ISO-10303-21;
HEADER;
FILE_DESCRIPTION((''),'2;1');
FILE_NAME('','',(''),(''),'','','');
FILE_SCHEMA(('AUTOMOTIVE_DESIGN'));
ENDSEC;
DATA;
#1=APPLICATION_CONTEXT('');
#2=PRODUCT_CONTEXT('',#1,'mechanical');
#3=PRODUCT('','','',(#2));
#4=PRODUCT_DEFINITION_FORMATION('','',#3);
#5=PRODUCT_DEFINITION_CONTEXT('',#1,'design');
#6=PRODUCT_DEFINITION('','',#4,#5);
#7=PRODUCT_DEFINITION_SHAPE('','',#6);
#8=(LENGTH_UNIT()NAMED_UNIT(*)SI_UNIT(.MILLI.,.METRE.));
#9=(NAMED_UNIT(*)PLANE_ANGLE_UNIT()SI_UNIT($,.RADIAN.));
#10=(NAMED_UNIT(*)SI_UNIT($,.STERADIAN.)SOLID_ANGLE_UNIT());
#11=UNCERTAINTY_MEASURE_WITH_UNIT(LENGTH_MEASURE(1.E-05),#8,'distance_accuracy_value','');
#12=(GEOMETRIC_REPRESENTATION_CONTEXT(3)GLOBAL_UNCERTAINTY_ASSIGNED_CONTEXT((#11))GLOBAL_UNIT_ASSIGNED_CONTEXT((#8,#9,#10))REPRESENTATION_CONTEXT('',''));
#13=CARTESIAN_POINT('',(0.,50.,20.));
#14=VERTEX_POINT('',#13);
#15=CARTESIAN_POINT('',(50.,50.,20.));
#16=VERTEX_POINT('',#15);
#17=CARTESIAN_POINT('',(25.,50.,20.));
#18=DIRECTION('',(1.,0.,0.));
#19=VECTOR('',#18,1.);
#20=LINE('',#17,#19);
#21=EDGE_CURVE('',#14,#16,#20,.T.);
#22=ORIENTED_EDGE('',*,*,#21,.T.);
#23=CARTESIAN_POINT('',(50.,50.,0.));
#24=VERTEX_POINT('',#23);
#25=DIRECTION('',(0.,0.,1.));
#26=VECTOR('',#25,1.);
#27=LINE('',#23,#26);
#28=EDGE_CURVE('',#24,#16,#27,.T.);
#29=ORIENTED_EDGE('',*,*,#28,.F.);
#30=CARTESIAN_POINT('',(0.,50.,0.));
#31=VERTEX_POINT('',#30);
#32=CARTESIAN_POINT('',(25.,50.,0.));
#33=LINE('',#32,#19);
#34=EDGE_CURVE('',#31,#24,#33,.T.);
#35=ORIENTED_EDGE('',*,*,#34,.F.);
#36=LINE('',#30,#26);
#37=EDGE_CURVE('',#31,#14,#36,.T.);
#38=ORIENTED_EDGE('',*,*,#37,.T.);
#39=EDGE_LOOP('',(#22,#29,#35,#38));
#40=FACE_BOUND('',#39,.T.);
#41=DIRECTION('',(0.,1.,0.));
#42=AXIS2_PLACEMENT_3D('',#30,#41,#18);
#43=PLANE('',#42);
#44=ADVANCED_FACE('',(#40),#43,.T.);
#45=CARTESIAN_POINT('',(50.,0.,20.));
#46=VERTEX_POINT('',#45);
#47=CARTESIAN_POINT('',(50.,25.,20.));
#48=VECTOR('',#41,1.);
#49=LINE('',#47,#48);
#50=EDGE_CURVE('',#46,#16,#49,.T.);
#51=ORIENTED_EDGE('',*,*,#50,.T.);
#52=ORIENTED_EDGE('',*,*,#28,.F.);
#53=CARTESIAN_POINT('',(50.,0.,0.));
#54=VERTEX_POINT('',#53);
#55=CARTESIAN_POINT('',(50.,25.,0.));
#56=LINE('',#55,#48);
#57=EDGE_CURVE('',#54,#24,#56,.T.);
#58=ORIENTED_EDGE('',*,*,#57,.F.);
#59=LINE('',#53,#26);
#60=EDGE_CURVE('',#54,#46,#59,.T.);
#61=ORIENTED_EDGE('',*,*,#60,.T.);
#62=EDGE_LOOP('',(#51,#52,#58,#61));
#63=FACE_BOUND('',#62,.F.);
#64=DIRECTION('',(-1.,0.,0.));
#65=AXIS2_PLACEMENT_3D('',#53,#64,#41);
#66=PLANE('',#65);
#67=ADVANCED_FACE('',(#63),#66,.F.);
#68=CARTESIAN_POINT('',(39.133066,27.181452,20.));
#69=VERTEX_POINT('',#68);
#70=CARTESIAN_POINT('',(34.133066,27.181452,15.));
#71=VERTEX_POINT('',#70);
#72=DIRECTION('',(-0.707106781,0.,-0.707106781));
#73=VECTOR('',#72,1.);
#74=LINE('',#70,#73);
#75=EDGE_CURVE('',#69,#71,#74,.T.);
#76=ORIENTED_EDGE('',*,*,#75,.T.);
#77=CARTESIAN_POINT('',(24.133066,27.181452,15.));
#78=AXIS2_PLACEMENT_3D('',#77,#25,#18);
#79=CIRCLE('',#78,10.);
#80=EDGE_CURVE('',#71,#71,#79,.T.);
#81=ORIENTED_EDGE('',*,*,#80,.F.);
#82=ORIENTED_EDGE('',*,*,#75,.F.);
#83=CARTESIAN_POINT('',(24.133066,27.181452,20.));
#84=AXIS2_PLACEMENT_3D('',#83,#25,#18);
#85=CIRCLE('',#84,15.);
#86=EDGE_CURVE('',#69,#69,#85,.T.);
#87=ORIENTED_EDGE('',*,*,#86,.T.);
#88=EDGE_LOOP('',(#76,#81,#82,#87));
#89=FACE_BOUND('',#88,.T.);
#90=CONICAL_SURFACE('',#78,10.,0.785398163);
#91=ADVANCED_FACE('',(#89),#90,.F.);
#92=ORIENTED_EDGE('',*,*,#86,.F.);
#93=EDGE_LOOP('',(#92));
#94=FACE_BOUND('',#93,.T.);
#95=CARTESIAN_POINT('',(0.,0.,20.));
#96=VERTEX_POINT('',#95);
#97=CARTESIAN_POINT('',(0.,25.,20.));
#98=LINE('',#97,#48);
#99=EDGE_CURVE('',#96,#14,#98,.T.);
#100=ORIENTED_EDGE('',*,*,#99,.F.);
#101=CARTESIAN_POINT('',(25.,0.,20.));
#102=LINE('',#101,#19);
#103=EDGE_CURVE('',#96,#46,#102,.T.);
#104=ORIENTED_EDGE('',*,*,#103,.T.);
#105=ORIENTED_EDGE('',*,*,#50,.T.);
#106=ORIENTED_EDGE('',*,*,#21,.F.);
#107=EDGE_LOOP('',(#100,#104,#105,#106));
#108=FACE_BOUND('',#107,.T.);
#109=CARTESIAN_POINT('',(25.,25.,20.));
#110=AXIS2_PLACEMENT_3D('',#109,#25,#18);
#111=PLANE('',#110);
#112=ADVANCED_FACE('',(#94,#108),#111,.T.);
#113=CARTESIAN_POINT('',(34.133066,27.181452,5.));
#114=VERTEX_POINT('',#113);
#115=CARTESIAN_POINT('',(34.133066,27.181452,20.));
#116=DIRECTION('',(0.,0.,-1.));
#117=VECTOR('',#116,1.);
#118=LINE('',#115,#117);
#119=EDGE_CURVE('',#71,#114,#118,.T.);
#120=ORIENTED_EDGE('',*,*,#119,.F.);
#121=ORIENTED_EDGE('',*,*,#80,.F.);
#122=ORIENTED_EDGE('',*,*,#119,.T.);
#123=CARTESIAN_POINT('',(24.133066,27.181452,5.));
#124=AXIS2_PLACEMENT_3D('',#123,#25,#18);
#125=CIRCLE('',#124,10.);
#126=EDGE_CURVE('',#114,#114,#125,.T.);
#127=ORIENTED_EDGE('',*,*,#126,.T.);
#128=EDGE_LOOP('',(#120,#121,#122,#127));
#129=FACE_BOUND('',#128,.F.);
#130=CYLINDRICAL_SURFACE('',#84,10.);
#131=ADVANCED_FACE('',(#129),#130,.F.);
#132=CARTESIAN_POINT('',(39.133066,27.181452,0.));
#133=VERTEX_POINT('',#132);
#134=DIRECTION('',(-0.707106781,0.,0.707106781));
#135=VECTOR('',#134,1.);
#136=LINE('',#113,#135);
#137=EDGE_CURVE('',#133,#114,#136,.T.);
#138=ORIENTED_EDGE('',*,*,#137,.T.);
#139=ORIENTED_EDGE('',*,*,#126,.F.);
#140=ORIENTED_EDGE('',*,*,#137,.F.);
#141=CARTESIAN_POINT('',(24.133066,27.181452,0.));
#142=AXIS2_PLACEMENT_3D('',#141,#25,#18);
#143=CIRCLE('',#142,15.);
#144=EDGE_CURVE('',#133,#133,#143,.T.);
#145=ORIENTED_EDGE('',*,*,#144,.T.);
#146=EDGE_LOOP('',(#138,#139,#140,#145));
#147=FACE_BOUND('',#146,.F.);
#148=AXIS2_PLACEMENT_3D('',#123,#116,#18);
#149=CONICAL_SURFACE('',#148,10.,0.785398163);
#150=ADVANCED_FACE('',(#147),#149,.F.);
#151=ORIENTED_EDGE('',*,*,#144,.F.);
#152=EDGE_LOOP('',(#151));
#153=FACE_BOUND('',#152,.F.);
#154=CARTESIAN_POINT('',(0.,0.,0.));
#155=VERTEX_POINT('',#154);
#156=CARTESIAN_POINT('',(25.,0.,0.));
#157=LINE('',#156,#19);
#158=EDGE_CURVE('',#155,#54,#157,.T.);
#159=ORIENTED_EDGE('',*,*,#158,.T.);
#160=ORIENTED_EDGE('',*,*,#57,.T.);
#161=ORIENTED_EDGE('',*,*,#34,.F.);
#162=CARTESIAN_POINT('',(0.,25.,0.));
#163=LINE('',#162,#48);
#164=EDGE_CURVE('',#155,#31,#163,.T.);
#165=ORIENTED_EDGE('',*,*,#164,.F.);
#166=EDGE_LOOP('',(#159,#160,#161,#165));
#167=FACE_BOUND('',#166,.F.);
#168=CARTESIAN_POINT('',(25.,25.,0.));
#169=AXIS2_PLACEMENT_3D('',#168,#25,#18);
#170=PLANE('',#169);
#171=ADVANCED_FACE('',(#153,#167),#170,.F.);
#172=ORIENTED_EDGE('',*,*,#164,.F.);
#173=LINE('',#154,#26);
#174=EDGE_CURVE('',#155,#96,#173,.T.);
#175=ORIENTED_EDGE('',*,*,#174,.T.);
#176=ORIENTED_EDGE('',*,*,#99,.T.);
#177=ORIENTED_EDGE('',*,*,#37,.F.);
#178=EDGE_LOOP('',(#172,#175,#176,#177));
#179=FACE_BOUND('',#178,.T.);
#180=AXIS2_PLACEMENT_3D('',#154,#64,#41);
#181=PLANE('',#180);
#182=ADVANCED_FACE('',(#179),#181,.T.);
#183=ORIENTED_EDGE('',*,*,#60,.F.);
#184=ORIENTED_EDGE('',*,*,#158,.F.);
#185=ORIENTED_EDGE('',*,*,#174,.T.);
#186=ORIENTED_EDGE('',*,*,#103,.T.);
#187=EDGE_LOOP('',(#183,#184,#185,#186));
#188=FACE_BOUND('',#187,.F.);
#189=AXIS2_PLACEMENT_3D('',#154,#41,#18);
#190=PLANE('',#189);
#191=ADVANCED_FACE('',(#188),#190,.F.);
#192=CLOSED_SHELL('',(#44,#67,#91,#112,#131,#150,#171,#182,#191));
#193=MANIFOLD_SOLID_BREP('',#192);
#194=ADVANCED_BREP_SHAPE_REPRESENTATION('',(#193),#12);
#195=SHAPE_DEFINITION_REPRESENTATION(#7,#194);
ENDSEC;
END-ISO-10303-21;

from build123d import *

# Parameters (mm, degrees)
F0_W     = 50
F0_H     = 50
F1_DEPTH = 20
F2_R     = 10
F3_DEPTH = 25
F4_SIZE  = 5


with BuildPart() as f1:
    # F0 (on Top) → F1 (new body)
    with BuildSketch(Plane.XY):
        with Locations((25, 25)):
            Rectangle(F0_W, F0_H)
    extrude(amount=F1_DEPTH)

    # F2 (on face) → F3 (cut)
    with BuildSketch(Plane.XY.offset(20)):
        with Locations((24.133066, 27.181452)):
            Circle(F2_R)
    extrude(amount=-F3_DEPTH, mode=Mode.SUBTRACT)

    # F4
    f4_edges = [f1.edges().sort_by_distance(p)[0] for p in [
        (14.133066, 27.181452, 20),
        (14.133066, 27.181452, 0),
    ]]
    chamfer(f4_edges, length=F4_SIZE)


solid = f1.part
